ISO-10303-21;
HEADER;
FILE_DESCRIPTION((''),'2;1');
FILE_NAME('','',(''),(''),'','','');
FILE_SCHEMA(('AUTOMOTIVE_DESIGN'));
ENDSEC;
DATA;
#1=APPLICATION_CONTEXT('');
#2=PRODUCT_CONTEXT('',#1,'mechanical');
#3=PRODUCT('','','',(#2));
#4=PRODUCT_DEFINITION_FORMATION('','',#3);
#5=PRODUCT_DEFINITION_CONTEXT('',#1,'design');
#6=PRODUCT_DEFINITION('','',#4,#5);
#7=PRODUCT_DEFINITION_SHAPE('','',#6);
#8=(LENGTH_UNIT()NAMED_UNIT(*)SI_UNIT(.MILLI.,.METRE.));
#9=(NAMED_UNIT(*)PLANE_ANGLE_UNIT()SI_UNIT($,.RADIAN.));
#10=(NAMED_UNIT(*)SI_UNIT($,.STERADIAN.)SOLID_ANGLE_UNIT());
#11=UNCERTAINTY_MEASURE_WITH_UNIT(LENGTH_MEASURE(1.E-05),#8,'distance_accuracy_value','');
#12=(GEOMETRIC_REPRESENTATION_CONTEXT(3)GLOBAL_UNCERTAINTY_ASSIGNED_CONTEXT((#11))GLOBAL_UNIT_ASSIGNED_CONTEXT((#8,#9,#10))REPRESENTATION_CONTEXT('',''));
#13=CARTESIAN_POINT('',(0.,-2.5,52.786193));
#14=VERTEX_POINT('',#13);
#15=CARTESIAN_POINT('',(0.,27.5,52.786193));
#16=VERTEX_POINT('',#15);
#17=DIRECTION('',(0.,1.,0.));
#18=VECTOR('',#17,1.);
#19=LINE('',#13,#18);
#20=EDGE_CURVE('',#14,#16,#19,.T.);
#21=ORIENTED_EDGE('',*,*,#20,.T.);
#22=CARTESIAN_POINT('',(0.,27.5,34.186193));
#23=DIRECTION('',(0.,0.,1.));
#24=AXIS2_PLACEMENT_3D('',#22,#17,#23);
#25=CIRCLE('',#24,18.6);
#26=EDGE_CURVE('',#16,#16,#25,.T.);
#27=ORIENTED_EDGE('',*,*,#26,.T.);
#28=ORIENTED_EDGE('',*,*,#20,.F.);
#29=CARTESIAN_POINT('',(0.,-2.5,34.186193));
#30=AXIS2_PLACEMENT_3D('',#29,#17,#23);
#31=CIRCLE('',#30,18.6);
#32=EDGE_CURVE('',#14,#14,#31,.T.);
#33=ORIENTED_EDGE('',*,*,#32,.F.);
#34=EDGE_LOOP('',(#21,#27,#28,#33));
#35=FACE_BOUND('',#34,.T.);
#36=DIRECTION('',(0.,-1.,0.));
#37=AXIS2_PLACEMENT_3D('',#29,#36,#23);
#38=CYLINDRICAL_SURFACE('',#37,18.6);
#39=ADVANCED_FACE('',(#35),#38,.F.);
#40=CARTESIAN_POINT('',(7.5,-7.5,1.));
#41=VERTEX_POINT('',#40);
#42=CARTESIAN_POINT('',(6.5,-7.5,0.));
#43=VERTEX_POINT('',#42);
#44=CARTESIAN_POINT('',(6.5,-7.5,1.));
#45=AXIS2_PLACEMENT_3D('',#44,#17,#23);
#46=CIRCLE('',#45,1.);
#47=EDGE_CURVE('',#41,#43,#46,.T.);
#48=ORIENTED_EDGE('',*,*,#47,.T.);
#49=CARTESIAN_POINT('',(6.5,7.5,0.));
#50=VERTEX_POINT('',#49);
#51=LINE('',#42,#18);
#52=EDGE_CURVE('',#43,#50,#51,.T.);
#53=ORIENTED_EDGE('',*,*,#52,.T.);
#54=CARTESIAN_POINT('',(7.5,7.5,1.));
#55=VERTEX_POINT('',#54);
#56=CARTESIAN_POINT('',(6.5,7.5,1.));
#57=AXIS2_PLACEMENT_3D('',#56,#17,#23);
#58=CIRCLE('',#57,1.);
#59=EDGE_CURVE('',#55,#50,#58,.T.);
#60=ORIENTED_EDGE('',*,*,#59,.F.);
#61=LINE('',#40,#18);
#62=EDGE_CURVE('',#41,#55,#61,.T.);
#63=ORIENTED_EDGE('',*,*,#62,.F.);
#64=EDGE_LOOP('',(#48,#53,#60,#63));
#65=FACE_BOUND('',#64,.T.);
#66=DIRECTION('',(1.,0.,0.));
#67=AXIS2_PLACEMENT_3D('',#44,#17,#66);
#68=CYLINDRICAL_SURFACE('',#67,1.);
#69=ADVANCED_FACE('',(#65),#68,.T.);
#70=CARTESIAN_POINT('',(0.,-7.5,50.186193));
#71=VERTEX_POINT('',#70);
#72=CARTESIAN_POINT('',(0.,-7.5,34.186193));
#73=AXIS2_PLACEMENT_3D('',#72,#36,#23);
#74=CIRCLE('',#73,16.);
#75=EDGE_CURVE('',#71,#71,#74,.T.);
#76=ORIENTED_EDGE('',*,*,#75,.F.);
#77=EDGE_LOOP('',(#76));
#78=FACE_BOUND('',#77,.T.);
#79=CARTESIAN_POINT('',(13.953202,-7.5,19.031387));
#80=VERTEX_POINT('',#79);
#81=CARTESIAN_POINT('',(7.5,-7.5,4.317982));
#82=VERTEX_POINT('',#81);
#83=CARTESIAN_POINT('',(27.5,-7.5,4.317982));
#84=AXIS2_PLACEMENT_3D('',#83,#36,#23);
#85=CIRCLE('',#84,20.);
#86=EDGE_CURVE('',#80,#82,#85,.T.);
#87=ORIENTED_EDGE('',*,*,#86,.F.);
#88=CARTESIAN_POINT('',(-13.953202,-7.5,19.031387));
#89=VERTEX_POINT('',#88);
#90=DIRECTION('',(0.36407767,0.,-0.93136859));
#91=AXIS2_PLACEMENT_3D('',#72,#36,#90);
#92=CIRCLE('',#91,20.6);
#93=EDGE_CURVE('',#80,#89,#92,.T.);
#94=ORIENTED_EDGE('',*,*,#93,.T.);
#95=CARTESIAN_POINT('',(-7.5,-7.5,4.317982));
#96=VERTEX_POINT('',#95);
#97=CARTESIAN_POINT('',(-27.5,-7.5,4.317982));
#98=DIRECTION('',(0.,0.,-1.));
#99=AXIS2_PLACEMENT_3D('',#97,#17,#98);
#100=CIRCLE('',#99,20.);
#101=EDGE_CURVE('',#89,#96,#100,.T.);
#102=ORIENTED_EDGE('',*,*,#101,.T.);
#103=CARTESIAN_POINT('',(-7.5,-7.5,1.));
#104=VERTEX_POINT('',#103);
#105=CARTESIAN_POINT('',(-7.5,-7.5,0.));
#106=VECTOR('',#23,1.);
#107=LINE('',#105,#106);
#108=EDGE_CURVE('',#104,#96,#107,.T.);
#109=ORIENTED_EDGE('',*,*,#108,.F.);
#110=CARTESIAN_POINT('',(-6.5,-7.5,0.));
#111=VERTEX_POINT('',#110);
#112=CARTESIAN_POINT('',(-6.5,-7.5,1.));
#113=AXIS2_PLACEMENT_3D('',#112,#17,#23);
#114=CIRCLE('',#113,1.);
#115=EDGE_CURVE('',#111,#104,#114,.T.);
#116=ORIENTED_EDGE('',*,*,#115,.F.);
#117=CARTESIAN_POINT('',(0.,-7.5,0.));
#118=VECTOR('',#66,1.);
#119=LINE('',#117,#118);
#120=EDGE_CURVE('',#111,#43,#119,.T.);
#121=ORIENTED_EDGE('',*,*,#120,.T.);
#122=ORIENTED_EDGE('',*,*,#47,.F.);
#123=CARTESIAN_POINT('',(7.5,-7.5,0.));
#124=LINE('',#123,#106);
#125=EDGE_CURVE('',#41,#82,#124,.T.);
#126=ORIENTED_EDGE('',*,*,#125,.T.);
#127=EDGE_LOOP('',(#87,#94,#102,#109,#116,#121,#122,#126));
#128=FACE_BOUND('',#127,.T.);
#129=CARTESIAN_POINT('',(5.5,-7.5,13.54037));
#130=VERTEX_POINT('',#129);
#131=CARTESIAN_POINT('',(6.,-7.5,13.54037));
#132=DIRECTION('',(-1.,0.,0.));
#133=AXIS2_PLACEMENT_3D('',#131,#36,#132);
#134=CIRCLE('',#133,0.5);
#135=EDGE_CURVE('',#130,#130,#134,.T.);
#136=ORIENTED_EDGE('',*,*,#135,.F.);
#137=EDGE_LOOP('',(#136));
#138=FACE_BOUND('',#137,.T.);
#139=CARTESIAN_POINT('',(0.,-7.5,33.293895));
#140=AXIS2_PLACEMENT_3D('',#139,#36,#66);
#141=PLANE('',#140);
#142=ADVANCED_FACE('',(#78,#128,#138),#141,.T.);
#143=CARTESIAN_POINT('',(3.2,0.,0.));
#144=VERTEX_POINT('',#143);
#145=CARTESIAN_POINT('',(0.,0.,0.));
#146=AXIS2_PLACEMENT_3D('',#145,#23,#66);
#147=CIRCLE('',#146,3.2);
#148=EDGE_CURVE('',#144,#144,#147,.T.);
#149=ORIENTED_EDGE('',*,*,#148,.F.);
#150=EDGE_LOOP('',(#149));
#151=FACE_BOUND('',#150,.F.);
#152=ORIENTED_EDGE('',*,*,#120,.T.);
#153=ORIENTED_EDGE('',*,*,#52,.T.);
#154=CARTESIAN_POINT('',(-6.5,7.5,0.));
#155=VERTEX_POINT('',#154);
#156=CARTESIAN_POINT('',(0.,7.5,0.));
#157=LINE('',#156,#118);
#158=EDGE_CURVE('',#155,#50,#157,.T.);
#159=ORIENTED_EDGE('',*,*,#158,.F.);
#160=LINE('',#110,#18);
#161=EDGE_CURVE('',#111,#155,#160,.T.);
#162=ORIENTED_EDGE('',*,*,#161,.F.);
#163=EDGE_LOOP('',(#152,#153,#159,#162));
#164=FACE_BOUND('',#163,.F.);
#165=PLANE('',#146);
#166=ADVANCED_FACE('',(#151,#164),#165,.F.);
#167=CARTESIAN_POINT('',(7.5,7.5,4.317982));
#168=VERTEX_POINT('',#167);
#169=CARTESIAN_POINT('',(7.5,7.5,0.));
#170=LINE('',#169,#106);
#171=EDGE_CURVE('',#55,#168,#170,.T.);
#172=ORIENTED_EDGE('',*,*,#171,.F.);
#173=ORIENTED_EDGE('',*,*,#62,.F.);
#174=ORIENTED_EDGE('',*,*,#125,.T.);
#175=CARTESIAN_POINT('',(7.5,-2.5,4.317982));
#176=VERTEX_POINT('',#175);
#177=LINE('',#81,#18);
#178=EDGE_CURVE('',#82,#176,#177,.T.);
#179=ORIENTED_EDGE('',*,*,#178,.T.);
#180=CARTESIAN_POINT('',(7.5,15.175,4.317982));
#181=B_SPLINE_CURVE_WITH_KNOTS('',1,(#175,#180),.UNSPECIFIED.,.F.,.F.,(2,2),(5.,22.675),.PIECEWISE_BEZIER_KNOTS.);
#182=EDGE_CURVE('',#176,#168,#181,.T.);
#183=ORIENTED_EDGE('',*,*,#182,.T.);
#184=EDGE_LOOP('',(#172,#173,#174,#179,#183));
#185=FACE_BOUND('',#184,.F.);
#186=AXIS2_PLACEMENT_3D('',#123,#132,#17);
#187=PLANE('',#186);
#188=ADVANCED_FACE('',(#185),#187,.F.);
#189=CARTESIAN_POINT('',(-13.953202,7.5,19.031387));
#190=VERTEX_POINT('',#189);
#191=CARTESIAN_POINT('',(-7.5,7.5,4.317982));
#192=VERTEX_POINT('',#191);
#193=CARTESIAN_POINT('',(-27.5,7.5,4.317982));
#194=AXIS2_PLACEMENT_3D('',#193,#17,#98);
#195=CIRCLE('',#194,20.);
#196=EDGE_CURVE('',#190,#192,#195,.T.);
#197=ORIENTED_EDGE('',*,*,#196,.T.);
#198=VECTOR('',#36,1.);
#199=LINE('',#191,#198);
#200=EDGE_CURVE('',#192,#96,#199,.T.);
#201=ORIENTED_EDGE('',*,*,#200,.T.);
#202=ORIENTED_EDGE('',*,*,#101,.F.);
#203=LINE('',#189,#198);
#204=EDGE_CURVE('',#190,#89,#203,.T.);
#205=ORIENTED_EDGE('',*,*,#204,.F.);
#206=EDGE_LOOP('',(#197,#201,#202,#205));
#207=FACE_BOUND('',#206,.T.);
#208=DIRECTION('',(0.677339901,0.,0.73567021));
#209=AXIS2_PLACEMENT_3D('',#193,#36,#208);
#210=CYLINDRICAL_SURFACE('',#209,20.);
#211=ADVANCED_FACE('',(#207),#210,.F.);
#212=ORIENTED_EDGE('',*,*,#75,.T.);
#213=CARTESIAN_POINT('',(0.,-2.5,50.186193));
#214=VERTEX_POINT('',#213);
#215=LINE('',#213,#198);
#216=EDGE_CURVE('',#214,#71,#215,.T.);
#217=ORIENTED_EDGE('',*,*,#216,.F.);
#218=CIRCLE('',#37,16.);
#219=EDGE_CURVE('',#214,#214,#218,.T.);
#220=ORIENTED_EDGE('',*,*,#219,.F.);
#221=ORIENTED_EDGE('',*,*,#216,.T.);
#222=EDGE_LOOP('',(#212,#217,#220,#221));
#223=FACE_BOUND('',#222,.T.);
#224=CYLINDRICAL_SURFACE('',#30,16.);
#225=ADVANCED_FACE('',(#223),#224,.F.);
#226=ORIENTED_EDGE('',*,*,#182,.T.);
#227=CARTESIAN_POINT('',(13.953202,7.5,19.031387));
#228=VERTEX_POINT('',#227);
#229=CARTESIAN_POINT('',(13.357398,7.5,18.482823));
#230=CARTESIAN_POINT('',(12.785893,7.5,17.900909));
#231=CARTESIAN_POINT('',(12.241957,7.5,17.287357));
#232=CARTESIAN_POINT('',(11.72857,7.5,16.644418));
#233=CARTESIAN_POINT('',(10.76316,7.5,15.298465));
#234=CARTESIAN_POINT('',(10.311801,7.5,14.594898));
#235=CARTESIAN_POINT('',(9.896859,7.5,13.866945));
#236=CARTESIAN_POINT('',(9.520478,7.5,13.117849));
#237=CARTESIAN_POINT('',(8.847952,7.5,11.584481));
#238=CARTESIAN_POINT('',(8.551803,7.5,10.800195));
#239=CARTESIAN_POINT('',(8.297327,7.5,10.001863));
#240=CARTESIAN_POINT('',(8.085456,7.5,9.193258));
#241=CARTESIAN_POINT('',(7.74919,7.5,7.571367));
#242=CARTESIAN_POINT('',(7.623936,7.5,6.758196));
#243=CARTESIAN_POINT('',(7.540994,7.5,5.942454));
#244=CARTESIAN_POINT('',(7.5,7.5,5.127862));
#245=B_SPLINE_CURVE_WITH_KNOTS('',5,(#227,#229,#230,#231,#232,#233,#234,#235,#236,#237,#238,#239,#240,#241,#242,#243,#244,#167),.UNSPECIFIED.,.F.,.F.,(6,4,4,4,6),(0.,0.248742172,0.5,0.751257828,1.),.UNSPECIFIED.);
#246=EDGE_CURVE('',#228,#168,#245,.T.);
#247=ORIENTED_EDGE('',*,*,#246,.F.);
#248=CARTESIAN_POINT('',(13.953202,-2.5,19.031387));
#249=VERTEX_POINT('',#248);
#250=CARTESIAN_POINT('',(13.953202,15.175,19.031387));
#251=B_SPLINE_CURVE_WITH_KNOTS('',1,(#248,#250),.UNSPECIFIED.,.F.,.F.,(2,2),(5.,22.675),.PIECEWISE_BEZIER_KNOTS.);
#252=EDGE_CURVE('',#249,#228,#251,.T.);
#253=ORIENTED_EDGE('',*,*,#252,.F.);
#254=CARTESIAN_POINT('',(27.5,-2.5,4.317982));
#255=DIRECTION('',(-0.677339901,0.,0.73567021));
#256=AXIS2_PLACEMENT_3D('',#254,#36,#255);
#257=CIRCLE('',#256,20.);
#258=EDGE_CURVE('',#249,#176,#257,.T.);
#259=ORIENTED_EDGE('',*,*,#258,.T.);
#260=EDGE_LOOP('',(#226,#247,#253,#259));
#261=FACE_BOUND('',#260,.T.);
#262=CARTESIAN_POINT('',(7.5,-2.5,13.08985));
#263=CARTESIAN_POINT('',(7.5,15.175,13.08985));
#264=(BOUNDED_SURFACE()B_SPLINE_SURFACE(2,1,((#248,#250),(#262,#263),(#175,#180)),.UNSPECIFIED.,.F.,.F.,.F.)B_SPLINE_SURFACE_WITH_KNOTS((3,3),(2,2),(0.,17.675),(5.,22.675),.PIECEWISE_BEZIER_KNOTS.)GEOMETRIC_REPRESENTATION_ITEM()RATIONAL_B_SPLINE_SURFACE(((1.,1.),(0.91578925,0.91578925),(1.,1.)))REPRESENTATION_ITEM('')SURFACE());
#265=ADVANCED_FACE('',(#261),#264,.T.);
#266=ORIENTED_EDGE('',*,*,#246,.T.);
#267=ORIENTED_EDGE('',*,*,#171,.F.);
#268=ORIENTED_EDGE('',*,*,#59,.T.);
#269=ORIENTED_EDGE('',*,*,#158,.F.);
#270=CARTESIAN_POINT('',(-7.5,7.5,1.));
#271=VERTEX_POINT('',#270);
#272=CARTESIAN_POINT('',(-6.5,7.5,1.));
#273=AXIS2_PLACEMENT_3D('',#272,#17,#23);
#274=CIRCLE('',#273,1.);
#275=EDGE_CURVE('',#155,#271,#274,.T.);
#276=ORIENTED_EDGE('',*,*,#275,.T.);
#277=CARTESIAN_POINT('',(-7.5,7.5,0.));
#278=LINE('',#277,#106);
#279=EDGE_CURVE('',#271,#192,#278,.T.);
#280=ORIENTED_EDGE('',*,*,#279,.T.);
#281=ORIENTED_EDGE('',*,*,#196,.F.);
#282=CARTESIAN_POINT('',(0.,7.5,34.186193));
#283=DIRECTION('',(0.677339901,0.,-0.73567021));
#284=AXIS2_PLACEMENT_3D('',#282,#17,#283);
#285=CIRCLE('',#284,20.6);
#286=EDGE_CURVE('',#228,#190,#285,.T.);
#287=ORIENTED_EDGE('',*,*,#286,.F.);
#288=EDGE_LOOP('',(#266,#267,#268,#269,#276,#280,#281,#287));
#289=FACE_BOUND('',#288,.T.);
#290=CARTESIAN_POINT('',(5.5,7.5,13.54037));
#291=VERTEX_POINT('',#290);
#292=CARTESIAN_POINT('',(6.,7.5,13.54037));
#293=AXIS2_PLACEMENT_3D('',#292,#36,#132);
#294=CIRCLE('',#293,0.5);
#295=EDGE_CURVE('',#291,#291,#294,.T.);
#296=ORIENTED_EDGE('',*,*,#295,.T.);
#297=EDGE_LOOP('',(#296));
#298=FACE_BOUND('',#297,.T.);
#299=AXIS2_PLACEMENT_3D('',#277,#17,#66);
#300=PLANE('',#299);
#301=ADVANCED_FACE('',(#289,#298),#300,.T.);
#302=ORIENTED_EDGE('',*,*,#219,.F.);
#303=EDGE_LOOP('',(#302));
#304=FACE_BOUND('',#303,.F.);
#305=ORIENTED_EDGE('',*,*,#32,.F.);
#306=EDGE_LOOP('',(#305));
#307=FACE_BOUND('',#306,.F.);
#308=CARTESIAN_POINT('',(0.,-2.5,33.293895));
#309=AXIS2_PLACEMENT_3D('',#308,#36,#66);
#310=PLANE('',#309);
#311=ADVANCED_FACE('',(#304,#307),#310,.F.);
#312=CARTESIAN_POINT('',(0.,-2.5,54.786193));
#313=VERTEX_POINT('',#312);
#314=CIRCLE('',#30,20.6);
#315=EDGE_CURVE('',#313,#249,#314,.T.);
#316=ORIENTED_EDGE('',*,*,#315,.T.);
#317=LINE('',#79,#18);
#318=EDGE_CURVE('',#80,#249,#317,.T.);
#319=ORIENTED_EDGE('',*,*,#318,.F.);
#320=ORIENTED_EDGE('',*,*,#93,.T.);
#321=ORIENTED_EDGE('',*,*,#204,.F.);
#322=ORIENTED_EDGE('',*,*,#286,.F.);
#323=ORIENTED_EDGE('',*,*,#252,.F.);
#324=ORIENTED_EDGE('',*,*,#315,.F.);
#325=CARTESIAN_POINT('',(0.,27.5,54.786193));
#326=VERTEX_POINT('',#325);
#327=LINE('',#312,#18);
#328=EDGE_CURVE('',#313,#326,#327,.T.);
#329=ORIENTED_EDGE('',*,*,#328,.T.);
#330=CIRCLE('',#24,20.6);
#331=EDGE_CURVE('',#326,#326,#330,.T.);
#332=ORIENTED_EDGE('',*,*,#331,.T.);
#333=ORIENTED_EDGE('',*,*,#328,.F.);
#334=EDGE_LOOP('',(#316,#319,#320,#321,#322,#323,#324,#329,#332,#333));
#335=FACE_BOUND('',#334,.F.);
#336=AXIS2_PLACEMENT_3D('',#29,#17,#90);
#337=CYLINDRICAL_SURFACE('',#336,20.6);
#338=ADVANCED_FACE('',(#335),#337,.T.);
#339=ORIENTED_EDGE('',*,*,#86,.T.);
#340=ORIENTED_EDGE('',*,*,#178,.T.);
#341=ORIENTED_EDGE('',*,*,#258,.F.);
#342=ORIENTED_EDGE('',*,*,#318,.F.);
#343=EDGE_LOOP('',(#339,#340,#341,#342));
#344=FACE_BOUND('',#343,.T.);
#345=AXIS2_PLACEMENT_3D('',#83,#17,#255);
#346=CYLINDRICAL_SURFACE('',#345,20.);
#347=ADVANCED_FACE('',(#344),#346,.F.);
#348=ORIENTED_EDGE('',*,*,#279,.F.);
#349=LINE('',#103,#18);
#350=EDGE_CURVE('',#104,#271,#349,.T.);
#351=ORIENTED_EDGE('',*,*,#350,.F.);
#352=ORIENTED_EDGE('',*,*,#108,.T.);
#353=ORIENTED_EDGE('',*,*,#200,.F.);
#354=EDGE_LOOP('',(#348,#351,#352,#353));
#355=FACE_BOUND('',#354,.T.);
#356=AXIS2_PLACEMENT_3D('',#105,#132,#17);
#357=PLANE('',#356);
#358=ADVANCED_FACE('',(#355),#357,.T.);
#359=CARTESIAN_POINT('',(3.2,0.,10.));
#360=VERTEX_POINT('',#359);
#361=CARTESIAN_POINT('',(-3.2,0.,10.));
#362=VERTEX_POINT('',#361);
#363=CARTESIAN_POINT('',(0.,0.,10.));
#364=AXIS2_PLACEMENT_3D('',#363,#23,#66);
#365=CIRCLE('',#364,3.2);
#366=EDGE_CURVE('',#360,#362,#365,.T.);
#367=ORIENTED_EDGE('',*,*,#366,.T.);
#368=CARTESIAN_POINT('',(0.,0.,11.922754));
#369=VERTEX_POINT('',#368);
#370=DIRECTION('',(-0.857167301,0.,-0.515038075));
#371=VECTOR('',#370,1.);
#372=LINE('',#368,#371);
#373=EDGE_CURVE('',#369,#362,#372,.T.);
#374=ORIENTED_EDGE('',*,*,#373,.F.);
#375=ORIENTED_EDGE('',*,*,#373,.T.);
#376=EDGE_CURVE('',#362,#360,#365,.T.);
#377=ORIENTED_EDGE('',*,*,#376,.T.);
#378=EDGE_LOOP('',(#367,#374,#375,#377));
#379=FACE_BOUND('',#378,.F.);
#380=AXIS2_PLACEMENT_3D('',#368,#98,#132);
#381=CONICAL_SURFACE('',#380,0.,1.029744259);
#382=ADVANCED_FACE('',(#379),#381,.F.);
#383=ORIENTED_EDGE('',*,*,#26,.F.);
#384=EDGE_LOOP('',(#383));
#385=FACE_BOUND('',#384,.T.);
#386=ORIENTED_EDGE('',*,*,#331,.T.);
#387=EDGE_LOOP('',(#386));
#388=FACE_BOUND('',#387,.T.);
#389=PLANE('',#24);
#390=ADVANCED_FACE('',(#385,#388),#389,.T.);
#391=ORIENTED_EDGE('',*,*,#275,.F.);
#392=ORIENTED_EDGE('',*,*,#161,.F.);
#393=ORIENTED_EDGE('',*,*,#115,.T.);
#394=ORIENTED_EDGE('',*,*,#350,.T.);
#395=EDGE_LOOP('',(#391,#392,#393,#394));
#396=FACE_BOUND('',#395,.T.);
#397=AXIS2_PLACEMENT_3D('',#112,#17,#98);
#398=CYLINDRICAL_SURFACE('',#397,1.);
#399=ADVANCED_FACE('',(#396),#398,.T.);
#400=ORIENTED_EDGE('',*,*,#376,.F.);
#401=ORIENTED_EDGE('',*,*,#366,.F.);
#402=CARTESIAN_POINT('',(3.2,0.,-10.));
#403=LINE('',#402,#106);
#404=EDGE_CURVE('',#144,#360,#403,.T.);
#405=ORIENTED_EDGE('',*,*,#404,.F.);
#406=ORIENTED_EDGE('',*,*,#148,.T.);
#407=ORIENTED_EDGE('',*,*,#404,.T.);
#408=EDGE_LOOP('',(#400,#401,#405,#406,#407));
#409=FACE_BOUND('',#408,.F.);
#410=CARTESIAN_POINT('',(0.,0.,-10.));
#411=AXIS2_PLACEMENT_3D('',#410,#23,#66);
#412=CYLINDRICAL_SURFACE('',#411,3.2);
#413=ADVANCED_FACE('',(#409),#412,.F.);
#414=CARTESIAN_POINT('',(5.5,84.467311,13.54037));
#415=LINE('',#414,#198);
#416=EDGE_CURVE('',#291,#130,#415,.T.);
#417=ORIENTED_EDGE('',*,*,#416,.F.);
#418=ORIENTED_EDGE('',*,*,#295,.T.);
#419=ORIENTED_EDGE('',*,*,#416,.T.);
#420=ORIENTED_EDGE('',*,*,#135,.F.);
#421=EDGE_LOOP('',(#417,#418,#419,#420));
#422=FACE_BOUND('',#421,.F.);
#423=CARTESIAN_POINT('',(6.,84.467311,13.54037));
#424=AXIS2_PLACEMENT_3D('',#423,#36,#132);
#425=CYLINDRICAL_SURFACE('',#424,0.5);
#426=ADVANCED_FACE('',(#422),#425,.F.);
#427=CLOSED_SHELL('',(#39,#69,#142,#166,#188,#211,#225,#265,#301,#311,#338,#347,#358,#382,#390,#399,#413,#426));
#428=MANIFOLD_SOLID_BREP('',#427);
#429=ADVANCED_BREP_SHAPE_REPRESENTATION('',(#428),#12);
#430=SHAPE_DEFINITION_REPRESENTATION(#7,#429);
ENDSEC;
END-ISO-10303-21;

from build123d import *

# Parameters (mm, degrees)
ESQUISSE1_W                    = 15
ESQUISSE1_H                    = 15
BOSS_EXTRU_1_DEPTH             = 15
TROUS_DE_CENTRAGE_5_0MM1_D     = 6.4
TROUS_DE_CENTRAGE_5_0MM1_DEPTH = 10
TROUS_DE_CENTRAGE_5_0MM1_TIP   = 1.922753981
BOSS_EXTRU_2_DEPTH             = 20
BOSS_EXTRU_2_DEPTH_BACK        = 10
ESQUISSE4_R                    = 20.6
ESQUISSE4_R_2                  = 18.6
ESQUISSE5_R                    = 16
BOSS_EXTRU_3_DEPTH             = 5
CONG_1_R                       = 20
CONG_2_R                       = 1
TROUS_DE_CENTRAGE_1_0MM1_D     = 1


with BuildPart() as part:
    # Esquisse1 → Boss.-Extru.1 (new body)
    with BuildSketch(Plane.XY):
        Rectangle(ESQUISSE1_W, ESQUISSE1_H)
    extrude(amount=BOSS_EXTRU_1_DEPTH)

    # Trous de centrage Ø5.0mm1
    with Locations(Plane(origin=(0, 0, 0), x_dir=(-1, 0, 0), z_dir=(0, 0, -1))):
        with Locations((0, 0)):
            Hole(TROUS_DE_CENTRAGE_5_0MM1_D / 2, depth=TROUS_DE_CENTRAGE_5_0MM1_DEPTH)
            with Locations((0, 0, -(TROUS_DE_CENTRAGE_5_0MM1_DEPTH + TROUS_DE_CENTRAGE_5_0MM1_TIP / 2))):  # 118° drill point
                Cone(0, TROUS_DE_CENTRAGE_5_0MM1_D / 2, TROUS_DE_CENTRAGE_5_0MM1_TIP, mode=Mode.SUBTRACT)

    # Esquisse4 → Boss.-Extru.2 (add, two sides: drawn at the far end of the back side and taken through both)
    with BuildSketch(Plane(origin=(0, 7.5, 0), x_dir=(1, 0, 0), z_dir=(0, 1, 0)).offset(-BOSS_EXTRU_2_DEPTH_BACK)):
        with Locations(Location((0, -34.186192952, 0), (0, 0, 270))):
            Circle(ESQUISSE4_R)
        with Locations(Location((0, -34.186192952, 0), (0, 0, 270))):
            Circle(ESQUISSE4_R_2, mode=Mode.SUBTRACT)
    extrude(amount=BOSS_EXTRU_2_DEPTH + BOSS_EXTRU_2_DEPTH_BACK)

    # Esquisse5 → Boss.-Extru.3 (add)
    with BuildSketch(Plane.XZ.offset(2.5)):
        with BuildLine():
            Line((-7.5, 15), (7.5, 15))
            ThreePointArc((7.5, 15), (0, 54.786192952), (-7.5, 15))
        make_face()
        with Locations(Location((0, 34.186192952, 0), (0, 0, 90))):
            Circle(ESQUISSE5_R, mode=Mode.SUBTRACT)
    extrude(amount=BOSS_EXTRU_3_DEPTH)

    # Congé1
    cong_1_edges = [part.edges().sort_by_distance(p)[0] for p in [
        (-7.5, 2.5, 15),
        (7.5, 2.5, 15),
    ]]
    fillet(cong_1_edges, radius=CONG_1_R)

    # Congé2
    cong_2_edges = [part.edges().sort_by_distance(p)[0] for p in [
        (-7.5, 0, 0),
        (7.5, 0, 0),
    ]]
    fillet(cong_2_edges, radius=CONG_2_R)

    # Trous de centrage Ø1.0mm1 (through all)
    with Locations(Plane(origin=(0, 7.5, 0), x_dir=(1, 0, 0), z_dir=(0, 1, 0))):
        with Locations((6, -13.54037013)):
            Hole(TROUS_DE_CENTRAGE_1_0MM1_D / 2)


solid = part.part
